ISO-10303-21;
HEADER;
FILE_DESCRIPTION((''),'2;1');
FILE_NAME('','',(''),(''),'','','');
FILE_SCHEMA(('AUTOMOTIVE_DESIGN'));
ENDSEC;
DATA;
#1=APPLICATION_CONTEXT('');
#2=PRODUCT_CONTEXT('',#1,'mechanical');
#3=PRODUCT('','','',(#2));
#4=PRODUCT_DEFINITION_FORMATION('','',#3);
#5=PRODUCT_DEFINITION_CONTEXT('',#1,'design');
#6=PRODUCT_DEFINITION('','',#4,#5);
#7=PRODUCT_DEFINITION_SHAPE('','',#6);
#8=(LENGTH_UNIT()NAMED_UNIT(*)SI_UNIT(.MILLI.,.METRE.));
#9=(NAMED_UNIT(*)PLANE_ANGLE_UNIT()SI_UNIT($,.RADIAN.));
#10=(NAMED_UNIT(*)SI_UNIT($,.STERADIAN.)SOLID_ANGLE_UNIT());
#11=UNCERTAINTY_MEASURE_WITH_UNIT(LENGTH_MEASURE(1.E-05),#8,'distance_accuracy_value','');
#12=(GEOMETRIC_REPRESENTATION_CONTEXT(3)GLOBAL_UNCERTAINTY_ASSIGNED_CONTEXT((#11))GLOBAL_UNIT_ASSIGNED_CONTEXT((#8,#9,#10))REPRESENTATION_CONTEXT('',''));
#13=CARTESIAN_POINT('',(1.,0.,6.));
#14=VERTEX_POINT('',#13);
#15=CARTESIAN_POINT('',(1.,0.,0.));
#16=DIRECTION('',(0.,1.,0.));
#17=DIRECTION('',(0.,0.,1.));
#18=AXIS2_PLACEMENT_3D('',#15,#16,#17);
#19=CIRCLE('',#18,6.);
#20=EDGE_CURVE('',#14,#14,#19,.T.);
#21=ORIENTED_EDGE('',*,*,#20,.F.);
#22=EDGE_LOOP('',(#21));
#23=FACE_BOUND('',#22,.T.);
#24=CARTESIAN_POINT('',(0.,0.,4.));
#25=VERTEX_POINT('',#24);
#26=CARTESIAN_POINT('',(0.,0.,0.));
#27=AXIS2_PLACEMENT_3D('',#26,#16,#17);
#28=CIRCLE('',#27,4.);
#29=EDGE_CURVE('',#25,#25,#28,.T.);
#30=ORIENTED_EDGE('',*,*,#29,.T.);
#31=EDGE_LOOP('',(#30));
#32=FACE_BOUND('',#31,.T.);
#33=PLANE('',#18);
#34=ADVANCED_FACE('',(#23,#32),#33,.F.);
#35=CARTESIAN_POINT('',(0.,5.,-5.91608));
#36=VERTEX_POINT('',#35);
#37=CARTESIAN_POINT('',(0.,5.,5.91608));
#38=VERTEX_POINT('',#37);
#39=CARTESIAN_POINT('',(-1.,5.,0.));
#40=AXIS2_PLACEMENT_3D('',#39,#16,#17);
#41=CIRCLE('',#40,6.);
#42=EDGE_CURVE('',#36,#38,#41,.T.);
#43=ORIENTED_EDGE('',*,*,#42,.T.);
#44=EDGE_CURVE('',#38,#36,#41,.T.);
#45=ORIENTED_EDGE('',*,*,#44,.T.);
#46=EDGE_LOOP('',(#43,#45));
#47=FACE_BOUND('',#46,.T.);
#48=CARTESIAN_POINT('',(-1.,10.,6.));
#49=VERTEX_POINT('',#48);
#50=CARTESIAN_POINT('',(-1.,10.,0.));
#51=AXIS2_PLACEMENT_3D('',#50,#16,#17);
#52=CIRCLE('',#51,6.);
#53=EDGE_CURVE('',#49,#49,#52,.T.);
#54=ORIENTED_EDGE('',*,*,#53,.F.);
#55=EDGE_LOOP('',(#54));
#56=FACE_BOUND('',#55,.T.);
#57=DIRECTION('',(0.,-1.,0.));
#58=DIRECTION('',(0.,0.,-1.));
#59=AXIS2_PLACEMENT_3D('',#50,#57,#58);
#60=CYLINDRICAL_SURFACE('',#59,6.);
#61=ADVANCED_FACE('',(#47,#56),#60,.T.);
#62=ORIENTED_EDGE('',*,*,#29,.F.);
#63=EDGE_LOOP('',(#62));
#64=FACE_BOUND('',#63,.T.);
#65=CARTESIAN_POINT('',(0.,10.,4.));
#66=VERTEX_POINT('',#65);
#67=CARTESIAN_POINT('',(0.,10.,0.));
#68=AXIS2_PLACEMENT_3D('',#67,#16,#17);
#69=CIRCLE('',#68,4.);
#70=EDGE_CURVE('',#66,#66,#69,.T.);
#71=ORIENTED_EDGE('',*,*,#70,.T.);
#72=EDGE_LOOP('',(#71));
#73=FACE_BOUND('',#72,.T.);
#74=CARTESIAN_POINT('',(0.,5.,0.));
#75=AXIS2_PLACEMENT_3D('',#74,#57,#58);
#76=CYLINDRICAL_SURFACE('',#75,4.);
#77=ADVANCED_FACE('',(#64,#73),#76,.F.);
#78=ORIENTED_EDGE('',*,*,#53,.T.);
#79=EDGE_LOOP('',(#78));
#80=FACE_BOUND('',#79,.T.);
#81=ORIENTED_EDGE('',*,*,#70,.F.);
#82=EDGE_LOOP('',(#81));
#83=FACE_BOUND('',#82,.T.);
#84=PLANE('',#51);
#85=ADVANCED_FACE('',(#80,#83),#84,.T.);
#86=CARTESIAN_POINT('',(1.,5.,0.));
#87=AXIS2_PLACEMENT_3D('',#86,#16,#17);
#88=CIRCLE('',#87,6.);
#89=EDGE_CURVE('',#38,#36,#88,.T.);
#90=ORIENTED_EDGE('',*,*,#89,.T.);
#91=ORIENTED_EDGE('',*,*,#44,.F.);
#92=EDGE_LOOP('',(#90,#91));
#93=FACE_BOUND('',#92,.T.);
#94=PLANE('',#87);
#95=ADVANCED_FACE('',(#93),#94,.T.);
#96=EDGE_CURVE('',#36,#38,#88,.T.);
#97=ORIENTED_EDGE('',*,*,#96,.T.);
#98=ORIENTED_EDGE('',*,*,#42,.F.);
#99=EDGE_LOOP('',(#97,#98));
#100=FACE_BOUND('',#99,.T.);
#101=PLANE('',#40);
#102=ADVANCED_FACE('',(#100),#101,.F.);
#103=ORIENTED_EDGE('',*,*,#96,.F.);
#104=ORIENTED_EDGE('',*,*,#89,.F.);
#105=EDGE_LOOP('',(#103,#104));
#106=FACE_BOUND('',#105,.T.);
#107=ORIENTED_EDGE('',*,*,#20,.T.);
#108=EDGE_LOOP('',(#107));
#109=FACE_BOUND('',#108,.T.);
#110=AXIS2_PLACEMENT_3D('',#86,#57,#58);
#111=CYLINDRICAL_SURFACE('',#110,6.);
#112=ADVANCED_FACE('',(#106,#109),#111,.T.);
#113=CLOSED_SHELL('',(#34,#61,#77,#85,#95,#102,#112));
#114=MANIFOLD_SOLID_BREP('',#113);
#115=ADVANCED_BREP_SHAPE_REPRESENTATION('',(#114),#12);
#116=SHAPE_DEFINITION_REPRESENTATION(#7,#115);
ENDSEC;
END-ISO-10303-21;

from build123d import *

# Parameters (mm, degrees)
SKETCH1_R           = 6
SKETCH1_R_2         = 4
BOSS_EXTRUDE1_DEPTH = 5
SKETCH2_R           = 6
SKETCH2_R_2         = 4
BOSS_EXTRUDE2_DEPTH = 5


with BuildPart() as part:
    # Sketch1 → Boss-Extrude1 (new body)
    with BuildSketch(Plane(origin=(0, 0, 0), x_dir=(1, 0, 0), z_dir=(0, 1, 0))):
        with Locations(Location((1, 0, 0), (0, 0, 270))):
            Circle(SKETCH1_R)
        with Locations(Location((0, 0, 0), (0, 0, 270))):
            Circle(SKETCH1_R_2, mode=Mode.SUBTRACT)
    extrude(amount=BOSS_EXTRUDE1_DEPTH)

    # Sketch2 → Boss-Extrude2 (add)
    with BuildSketch(Plane(origin=(0, 5, 0), x_dir=(1, 0, 0), z_dir=(0, 1, 0))):
        with Locations(Location((-1, 0, 0), (0, 0, 80.405931773))):
            Circle(SKETCH2_R)
        with Locations(Location((0, 0, 0), (0, 0, 270))):
            Circle(SKETCH2_R_2, mode=Mode.SUBTRACT)
    extrude(amount=BOSS_EXTRUDE2_DEPTH)


solid = part.part
